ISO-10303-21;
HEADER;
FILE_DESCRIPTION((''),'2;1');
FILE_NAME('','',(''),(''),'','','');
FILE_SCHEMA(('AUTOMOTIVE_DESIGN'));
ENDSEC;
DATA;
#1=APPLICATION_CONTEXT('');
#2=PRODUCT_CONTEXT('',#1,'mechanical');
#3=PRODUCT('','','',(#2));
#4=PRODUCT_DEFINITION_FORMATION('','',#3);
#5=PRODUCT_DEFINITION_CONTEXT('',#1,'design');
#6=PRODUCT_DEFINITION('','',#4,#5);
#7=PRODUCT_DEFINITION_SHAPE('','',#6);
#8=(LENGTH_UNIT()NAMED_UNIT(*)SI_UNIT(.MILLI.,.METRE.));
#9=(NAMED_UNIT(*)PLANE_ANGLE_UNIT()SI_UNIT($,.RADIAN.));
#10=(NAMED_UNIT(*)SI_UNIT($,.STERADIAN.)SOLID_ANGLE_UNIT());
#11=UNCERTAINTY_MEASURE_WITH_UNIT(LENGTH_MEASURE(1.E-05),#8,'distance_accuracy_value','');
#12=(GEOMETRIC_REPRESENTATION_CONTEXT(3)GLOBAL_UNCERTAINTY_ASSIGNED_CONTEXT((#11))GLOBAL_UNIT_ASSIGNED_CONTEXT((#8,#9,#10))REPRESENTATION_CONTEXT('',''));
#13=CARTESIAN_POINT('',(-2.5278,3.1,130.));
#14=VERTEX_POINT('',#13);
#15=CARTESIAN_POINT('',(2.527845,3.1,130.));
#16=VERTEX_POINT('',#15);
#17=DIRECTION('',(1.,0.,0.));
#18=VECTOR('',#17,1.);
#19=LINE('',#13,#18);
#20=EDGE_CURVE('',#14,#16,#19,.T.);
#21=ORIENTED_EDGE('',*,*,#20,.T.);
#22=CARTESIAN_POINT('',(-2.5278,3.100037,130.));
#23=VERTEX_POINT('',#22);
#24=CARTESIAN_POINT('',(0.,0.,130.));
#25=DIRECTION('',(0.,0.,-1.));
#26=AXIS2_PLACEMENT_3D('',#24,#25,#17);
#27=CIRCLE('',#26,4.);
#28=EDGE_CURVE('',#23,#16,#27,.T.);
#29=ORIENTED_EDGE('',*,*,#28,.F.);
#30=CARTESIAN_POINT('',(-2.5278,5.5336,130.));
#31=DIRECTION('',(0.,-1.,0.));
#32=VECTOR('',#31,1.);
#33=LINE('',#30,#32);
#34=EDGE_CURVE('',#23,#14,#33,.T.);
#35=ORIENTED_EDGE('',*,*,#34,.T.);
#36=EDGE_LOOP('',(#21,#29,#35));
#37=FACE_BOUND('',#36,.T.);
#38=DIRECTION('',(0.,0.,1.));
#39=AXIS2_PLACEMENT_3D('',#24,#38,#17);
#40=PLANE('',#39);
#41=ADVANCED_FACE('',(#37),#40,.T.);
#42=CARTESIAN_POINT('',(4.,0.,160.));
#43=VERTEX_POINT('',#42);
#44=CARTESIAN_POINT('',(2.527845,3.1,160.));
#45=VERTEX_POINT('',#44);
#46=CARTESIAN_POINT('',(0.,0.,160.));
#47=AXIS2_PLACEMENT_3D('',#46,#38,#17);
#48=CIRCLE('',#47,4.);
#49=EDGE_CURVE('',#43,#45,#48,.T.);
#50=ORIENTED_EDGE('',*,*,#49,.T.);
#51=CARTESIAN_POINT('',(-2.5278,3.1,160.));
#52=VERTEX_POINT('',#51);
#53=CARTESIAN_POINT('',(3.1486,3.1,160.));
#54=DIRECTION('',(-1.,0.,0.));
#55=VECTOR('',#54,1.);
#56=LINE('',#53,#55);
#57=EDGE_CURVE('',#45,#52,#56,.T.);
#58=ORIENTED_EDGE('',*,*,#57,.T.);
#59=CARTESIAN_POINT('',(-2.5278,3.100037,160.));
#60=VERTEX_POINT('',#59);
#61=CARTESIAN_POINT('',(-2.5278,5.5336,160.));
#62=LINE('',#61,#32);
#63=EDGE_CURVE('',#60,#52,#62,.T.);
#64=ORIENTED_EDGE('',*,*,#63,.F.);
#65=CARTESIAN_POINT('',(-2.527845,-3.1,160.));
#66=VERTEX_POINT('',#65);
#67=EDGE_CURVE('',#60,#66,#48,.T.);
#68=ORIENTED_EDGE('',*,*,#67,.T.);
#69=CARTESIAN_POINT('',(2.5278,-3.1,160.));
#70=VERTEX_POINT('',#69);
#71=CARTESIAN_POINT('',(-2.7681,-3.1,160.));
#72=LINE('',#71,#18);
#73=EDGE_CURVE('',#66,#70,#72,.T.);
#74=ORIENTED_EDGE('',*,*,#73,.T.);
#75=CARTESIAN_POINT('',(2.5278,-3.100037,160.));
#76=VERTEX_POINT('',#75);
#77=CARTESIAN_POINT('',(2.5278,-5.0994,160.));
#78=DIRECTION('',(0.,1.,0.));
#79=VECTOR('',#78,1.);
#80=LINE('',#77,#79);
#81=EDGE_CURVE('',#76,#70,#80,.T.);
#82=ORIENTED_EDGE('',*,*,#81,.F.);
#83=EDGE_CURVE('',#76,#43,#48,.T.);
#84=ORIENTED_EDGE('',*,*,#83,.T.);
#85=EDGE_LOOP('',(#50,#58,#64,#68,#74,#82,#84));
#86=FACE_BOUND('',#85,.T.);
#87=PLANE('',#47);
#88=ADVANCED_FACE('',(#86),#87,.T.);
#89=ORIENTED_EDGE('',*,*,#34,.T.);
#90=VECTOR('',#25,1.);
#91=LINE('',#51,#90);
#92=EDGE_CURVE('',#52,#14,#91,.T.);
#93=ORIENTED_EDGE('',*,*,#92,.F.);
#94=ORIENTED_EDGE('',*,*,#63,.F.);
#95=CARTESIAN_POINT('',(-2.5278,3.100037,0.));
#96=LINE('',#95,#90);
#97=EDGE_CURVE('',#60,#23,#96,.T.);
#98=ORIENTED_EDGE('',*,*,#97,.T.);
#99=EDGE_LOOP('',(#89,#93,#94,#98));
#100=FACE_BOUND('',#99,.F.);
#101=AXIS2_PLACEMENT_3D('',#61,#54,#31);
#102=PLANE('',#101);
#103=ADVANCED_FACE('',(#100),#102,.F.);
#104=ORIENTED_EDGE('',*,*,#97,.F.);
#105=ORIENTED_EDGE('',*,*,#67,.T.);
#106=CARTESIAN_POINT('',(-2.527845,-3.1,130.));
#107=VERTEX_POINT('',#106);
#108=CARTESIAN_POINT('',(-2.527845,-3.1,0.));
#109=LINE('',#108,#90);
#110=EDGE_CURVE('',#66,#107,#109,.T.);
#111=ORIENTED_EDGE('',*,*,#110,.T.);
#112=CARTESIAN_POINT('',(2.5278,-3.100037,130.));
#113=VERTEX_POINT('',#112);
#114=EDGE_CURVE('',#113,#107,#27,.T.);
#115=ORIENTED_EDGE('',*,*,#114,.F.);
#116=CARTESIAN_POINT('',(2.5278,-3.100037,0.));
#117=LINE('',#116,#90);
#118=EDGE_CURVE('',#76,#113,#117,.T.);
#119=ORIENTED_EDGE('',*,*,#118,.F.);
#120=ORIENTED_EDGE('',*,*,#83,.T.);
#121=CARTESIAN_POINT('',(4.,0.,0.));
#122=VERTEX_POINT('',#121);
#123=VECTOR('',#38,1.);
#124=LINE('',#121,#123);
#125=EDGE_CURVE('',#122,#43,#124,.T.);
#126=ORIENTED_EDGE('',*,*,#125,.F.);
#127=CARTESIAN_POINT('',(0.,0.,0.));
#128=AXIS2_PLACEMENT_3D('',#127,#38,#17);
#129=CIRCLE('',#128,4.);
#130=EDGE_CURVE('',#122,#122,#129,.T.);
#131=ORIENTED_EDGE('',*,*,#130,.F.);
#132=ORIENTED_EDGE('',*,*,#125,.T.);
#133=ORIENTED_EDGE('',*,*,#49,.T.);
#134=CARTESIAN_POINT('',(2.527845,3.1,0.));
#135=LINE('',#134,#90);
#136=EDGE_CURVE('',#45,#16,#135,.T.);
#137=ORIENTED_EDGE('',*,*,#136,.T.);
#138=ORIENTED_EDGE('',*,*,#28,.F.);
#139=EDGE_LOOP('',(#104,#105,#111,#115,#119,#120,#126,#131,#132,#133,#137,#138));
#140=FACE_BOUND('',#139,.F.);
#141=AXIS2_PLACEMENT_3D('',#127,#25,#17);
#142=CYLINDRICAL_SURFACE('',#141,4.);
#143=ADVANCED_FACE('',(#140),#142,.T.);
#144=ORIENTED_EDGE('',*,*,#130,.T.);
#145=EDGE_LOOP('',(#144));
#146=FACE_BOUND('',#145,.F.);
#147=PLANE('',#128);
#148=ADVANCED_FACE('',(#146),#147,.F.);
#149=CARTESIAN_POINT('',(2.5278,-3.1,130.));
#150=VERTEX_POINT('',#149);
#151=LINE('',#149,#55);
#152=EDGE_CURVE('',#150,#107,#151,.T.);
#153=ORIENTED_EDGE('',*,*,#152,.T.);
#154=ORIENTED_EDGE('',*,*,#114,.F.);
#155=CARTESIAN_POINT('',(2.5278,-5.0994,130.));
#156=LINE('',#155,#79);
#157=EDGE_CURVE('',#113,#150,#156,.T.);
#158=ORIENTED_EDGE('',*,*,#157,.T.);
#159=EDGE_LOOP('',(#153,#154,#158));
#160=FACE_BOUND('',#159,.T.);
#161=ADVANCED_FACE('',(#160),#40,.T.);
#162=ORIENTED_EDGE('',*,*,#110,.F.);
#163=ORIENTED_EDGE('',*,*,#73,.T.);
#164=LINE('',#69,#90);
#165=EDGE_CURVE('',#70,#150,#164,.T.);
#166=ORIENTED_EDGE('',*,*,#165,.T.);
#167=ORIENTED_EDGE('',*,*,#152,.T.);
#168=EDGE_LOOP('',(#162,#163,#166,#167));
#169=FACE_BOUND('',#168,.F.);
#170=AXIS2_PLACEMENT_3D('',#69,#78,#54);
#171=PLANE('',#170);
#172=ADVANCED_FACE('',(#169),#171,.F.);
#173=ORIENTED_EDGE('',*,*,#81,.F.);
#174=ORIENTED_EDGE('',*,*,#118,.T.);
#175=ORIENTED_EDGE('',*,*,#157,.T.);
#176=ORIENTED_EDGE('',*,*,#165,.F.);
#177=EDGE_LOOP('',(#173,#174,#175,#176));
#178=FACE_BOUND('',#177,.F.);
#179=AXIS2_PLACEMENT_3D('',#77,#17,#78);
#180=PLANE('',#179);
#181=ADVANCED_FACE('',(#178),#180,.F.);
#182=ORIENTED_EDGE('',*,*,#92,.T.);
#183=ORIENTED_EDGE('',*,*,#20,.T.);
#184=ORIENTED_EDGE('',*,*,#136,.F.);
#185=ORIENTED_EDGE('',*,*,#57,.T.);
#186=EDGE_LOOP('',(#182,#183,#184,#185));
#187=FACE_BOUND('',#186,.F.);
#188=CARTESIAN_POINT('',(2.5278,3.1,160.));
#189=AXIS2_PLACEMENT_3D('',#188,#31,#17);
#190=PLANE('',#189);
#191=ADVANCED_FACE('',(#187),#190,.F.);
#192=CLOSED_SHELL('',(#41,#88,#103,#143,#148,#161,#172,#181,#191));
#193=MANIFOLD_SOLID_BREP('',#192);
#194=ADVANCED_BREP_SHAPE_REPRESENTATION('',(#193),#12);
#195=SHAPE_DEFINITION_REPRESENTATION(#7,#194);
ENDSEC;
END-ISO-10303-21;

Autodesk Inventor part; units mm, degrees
ref_plane "YZ Plane" through (0, 0, 0) normal (1, 0, 0) x (0, 1, 0)
ref_plane "XZ Plane" through (0, 0, 0) normal (0, 1, 0) x (-1, 0, 0)
ref_plane "XY Plane" through (0, 0, 0) normal (0, 0, 1) x (1, 0, 0)
sketch "Sketch1" plane through (0, 0, 0) normal (0, 0, 1) x (1, 0, 0)
  circle A0 centre (0, 0) radius 4
  dimension "d0" = 8
extrude "Extrusion1" add sketch "Sketch1" along normal blind 160
sketch "Sketch2" plane through (0, 0, 160) normal (0, 0, 1) x (1, 0, 0)
  line L0 (-2.5278, 3.1) -> (2.5278, 3.1)
  line L1 (2.5278, -3.1) -> (-2.5278, -3.1)
  arc A0 (-2.5278, 3.1) -> (-2.5278, -3.1) centre (0, 0) ccw
  arc A1 (2.5278, -3.1) -> (2.5278, 3.1) centre (0, 0) ccw
  line L2 (-2.5278, 3.1) -> (3.1486, 3.1)
  line L3 (3.1486, 3.1) -> (3.1486, 5.5336)
  line L4 (3.1486, 5.5336) -> (-2.5278, 5.5336)
  line L5 (-2.5278, 5.5336) -> (-2.5278, 3.1)
  line L6 (2.5278, -3.1) -> (-2.7681, -3.1)
  line L7 (-2.7681, -3.1) -> (-2.7681, -5.0994)
  line L8 (-2.7681, -5.0994) -> (2.5278, -5.0994)
  line L9 (2.5278, -5.0994) -> (2.5278, -3.1)
  dimension "d3" = 3.1
extrude "Extrusion2" cut sketch "Sketch2" against normal blind 30 contours L5 L4 L3 L2 L0 | L1 L9 L8 L7 L6
properties part number "oś napędowa"
